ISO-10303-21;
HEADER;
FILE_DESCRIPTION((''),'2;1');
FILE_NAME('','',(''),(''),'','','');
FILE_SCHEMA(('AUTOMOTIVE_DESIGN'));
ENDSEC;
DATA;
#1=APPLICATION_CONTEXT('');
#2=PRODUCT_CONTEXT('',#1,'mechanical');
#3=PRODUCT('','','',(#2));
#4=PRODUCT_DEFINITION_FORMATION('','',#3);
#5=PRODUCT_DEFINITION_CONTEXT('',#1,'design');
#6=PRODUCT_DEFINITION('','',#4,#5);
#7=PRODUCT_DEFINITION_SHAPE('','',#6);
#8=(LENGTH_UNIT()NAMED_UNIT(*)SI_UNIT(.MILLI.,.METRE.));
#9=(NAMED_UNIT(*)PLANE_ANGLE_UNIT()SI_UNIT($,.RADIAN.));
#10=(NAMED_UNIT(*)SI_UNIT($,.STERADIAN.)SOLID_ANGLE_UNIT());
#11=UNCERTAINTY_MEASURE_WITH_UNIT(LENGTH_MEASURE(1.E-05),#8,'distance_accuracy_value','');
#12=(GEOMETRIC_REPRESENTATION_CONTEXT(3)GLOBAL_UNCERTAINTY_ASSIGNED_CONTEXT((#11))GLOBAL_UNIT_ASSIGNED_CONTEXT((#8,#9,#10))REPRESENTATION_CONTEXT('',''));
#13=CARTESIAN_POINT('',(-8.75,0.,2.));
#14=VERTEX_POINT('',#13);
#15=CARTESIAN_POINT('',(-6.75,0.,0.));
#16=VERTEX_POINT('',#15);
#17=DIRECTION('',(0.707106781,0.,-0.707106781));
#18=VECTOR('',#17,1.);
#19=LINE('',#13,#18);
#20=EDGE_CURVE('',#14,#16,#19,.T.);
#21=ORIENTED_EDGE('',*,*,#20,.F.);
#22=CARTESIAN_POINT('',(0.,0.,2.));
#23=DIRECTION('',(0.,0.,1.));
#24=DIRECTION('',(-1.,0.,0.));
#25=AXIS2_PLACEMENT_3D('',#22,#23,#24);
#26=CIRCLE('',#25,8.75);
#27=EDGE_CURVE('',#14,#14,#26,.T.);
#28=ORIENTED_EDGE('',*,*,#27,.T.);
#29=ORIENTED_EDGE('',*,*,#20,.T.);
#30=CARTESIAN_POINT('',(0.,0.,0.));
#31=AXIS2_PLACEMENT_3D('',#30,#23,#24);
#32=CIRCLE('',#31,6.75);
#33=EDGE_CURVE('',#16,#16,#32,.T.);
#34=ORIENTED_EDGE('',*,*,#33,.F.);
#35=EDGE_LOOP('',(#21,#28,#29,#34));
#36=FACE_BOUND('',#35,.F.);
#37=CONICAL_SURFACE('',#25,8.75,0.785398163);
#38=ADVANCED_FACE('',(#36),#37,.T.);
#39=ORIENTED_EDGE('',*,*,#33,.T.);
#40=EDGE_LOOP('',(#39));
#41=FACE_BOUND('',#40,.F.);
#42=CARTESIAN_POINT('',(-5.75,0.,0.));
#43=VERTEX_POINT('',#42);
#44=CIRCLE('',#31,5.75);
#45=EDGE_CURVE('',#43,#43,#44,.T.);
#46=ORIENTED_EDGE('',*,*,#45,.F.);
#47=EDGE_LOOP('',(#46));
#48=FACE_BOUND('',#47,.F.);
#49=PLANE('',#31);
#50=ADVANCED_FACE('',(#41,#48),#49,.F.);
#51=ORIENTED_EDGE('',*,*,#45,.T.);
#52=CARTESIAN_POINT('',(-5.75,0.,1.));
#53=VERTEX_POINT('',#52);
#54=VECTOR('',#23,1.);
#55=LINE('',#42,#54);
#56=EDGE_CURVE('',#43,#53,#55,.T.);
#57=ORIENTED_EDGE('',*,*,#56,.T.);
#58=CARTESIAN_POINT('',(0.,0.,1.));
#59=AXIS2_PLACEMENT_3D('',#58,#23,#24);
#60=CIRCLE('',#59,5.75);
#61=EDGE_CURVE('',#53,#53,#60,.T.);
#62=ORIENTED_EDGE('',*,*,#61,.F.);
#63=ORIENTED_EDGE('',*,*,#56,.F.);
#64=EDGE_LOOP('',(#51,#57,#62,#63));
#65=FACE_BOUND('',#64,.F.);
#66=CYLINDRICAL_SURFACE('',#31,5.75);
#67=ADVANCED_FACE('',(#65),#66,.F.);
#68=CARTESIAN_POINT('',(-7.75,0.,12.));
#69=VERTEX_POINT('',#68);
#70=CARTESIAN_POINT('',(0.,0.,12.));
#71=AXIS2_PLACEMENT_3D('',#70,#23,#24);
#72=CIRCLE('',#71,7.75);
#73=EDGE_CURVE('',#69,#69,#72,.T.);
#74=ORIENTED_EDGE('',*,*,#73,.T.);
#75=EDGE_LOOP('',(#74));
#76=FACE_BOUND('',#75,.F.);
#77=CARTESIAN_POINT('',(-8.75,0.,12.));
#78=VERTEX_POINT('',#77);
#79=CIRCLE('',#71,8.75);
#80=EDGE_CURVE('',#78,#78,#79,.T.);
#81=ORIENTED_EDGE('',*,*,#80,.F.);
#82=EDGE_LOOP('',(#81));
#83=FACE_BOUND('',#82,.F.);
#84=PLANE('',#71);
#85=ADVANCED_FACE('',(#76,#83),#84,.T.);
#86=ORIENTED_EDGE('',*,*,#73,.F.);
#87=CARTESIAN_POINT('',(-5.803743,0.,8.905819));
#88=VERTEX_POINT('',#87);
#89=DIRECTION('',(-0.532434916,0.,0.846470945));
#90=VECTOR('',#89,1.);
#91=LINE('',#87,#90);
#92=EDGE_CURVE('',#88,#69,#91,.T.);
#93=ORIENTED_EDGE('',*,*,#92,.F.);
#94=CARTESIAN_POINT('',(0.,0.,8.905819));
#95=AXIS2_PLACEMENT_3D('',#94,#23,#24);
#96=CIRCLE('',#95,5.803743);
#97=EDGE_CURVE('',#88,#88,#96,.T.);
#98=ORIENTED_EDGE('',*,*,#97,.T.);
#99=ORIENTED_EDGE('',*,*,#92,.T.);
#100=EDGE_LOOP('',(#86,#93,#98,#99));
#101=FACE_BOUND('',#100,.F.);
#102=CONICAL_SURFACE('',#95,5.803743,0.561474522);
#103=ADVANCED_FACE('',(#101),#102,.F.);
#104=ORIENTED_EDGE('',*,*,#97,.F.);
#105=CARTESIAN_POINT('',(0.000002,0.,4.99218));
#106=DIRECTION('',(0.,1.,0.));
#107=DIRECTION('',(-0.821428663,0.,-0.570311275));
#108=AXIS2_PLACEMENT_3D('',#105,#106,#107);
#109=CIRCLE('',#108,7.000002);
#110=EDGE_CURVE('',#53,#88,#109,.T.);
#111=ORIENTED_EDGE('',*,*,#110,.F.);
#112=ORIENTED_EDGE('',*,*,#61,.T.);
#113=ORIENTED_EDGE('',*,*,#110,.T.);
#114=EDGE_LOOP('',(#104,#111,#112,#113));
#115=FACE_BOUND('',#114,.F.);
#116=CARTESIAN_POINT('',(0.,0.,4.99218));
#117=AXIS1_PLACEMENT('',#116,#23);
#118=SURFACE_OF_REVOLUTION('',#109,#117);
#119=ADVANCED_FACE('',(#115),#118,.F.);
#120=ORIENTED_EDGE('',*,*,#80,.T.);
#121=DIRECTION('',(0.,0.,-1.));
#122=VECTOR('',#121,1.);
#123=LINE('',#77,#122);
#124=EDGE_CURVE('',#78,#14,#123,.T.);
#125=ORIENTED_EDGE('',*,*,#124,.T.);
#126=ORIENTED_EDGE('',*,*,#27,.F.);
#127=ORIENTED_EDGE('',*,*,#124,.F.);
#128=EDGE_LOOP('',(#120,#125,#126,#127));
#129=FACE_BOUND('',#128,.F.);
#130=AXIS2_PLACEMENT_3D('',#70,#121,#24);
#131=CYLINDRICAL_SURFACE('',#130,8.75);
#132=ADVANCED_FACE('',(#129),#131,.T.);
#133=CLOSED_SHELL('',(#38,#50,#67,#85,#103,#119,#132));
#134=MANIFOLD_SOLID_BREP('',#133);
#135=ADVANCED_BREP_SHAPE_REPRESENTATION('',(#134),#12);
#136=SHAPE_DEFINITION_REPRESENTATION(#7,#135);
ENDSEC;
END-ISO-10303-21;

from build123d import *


with BuildPart() as f1:
    # F0 (on Front) → F1 (revolve)
    with BuildSketch(Plane.XZ):
        with BuildLine():
            ThreePointArc((-5.75, 1), (-6.999838, 4.944596), (-5.803743, 8.905819))
            Line((-5.803743, 8.905819), (-7.75, 12))
            Line((-7.75, 12), (-8.75, 12))
            Line((-8.75, 12), (-8.75, 2))
            Line((-8.75, 2), (-6.75, 0))
            Line((-6.75, 0), (-5.75, 0))
            Line((-5.75, 0), (-5.75, 1))
        make_face()
    revolve(axis=Axis((0, 0, 4.99218), (0, 0, 1)))


solid = f1.part
